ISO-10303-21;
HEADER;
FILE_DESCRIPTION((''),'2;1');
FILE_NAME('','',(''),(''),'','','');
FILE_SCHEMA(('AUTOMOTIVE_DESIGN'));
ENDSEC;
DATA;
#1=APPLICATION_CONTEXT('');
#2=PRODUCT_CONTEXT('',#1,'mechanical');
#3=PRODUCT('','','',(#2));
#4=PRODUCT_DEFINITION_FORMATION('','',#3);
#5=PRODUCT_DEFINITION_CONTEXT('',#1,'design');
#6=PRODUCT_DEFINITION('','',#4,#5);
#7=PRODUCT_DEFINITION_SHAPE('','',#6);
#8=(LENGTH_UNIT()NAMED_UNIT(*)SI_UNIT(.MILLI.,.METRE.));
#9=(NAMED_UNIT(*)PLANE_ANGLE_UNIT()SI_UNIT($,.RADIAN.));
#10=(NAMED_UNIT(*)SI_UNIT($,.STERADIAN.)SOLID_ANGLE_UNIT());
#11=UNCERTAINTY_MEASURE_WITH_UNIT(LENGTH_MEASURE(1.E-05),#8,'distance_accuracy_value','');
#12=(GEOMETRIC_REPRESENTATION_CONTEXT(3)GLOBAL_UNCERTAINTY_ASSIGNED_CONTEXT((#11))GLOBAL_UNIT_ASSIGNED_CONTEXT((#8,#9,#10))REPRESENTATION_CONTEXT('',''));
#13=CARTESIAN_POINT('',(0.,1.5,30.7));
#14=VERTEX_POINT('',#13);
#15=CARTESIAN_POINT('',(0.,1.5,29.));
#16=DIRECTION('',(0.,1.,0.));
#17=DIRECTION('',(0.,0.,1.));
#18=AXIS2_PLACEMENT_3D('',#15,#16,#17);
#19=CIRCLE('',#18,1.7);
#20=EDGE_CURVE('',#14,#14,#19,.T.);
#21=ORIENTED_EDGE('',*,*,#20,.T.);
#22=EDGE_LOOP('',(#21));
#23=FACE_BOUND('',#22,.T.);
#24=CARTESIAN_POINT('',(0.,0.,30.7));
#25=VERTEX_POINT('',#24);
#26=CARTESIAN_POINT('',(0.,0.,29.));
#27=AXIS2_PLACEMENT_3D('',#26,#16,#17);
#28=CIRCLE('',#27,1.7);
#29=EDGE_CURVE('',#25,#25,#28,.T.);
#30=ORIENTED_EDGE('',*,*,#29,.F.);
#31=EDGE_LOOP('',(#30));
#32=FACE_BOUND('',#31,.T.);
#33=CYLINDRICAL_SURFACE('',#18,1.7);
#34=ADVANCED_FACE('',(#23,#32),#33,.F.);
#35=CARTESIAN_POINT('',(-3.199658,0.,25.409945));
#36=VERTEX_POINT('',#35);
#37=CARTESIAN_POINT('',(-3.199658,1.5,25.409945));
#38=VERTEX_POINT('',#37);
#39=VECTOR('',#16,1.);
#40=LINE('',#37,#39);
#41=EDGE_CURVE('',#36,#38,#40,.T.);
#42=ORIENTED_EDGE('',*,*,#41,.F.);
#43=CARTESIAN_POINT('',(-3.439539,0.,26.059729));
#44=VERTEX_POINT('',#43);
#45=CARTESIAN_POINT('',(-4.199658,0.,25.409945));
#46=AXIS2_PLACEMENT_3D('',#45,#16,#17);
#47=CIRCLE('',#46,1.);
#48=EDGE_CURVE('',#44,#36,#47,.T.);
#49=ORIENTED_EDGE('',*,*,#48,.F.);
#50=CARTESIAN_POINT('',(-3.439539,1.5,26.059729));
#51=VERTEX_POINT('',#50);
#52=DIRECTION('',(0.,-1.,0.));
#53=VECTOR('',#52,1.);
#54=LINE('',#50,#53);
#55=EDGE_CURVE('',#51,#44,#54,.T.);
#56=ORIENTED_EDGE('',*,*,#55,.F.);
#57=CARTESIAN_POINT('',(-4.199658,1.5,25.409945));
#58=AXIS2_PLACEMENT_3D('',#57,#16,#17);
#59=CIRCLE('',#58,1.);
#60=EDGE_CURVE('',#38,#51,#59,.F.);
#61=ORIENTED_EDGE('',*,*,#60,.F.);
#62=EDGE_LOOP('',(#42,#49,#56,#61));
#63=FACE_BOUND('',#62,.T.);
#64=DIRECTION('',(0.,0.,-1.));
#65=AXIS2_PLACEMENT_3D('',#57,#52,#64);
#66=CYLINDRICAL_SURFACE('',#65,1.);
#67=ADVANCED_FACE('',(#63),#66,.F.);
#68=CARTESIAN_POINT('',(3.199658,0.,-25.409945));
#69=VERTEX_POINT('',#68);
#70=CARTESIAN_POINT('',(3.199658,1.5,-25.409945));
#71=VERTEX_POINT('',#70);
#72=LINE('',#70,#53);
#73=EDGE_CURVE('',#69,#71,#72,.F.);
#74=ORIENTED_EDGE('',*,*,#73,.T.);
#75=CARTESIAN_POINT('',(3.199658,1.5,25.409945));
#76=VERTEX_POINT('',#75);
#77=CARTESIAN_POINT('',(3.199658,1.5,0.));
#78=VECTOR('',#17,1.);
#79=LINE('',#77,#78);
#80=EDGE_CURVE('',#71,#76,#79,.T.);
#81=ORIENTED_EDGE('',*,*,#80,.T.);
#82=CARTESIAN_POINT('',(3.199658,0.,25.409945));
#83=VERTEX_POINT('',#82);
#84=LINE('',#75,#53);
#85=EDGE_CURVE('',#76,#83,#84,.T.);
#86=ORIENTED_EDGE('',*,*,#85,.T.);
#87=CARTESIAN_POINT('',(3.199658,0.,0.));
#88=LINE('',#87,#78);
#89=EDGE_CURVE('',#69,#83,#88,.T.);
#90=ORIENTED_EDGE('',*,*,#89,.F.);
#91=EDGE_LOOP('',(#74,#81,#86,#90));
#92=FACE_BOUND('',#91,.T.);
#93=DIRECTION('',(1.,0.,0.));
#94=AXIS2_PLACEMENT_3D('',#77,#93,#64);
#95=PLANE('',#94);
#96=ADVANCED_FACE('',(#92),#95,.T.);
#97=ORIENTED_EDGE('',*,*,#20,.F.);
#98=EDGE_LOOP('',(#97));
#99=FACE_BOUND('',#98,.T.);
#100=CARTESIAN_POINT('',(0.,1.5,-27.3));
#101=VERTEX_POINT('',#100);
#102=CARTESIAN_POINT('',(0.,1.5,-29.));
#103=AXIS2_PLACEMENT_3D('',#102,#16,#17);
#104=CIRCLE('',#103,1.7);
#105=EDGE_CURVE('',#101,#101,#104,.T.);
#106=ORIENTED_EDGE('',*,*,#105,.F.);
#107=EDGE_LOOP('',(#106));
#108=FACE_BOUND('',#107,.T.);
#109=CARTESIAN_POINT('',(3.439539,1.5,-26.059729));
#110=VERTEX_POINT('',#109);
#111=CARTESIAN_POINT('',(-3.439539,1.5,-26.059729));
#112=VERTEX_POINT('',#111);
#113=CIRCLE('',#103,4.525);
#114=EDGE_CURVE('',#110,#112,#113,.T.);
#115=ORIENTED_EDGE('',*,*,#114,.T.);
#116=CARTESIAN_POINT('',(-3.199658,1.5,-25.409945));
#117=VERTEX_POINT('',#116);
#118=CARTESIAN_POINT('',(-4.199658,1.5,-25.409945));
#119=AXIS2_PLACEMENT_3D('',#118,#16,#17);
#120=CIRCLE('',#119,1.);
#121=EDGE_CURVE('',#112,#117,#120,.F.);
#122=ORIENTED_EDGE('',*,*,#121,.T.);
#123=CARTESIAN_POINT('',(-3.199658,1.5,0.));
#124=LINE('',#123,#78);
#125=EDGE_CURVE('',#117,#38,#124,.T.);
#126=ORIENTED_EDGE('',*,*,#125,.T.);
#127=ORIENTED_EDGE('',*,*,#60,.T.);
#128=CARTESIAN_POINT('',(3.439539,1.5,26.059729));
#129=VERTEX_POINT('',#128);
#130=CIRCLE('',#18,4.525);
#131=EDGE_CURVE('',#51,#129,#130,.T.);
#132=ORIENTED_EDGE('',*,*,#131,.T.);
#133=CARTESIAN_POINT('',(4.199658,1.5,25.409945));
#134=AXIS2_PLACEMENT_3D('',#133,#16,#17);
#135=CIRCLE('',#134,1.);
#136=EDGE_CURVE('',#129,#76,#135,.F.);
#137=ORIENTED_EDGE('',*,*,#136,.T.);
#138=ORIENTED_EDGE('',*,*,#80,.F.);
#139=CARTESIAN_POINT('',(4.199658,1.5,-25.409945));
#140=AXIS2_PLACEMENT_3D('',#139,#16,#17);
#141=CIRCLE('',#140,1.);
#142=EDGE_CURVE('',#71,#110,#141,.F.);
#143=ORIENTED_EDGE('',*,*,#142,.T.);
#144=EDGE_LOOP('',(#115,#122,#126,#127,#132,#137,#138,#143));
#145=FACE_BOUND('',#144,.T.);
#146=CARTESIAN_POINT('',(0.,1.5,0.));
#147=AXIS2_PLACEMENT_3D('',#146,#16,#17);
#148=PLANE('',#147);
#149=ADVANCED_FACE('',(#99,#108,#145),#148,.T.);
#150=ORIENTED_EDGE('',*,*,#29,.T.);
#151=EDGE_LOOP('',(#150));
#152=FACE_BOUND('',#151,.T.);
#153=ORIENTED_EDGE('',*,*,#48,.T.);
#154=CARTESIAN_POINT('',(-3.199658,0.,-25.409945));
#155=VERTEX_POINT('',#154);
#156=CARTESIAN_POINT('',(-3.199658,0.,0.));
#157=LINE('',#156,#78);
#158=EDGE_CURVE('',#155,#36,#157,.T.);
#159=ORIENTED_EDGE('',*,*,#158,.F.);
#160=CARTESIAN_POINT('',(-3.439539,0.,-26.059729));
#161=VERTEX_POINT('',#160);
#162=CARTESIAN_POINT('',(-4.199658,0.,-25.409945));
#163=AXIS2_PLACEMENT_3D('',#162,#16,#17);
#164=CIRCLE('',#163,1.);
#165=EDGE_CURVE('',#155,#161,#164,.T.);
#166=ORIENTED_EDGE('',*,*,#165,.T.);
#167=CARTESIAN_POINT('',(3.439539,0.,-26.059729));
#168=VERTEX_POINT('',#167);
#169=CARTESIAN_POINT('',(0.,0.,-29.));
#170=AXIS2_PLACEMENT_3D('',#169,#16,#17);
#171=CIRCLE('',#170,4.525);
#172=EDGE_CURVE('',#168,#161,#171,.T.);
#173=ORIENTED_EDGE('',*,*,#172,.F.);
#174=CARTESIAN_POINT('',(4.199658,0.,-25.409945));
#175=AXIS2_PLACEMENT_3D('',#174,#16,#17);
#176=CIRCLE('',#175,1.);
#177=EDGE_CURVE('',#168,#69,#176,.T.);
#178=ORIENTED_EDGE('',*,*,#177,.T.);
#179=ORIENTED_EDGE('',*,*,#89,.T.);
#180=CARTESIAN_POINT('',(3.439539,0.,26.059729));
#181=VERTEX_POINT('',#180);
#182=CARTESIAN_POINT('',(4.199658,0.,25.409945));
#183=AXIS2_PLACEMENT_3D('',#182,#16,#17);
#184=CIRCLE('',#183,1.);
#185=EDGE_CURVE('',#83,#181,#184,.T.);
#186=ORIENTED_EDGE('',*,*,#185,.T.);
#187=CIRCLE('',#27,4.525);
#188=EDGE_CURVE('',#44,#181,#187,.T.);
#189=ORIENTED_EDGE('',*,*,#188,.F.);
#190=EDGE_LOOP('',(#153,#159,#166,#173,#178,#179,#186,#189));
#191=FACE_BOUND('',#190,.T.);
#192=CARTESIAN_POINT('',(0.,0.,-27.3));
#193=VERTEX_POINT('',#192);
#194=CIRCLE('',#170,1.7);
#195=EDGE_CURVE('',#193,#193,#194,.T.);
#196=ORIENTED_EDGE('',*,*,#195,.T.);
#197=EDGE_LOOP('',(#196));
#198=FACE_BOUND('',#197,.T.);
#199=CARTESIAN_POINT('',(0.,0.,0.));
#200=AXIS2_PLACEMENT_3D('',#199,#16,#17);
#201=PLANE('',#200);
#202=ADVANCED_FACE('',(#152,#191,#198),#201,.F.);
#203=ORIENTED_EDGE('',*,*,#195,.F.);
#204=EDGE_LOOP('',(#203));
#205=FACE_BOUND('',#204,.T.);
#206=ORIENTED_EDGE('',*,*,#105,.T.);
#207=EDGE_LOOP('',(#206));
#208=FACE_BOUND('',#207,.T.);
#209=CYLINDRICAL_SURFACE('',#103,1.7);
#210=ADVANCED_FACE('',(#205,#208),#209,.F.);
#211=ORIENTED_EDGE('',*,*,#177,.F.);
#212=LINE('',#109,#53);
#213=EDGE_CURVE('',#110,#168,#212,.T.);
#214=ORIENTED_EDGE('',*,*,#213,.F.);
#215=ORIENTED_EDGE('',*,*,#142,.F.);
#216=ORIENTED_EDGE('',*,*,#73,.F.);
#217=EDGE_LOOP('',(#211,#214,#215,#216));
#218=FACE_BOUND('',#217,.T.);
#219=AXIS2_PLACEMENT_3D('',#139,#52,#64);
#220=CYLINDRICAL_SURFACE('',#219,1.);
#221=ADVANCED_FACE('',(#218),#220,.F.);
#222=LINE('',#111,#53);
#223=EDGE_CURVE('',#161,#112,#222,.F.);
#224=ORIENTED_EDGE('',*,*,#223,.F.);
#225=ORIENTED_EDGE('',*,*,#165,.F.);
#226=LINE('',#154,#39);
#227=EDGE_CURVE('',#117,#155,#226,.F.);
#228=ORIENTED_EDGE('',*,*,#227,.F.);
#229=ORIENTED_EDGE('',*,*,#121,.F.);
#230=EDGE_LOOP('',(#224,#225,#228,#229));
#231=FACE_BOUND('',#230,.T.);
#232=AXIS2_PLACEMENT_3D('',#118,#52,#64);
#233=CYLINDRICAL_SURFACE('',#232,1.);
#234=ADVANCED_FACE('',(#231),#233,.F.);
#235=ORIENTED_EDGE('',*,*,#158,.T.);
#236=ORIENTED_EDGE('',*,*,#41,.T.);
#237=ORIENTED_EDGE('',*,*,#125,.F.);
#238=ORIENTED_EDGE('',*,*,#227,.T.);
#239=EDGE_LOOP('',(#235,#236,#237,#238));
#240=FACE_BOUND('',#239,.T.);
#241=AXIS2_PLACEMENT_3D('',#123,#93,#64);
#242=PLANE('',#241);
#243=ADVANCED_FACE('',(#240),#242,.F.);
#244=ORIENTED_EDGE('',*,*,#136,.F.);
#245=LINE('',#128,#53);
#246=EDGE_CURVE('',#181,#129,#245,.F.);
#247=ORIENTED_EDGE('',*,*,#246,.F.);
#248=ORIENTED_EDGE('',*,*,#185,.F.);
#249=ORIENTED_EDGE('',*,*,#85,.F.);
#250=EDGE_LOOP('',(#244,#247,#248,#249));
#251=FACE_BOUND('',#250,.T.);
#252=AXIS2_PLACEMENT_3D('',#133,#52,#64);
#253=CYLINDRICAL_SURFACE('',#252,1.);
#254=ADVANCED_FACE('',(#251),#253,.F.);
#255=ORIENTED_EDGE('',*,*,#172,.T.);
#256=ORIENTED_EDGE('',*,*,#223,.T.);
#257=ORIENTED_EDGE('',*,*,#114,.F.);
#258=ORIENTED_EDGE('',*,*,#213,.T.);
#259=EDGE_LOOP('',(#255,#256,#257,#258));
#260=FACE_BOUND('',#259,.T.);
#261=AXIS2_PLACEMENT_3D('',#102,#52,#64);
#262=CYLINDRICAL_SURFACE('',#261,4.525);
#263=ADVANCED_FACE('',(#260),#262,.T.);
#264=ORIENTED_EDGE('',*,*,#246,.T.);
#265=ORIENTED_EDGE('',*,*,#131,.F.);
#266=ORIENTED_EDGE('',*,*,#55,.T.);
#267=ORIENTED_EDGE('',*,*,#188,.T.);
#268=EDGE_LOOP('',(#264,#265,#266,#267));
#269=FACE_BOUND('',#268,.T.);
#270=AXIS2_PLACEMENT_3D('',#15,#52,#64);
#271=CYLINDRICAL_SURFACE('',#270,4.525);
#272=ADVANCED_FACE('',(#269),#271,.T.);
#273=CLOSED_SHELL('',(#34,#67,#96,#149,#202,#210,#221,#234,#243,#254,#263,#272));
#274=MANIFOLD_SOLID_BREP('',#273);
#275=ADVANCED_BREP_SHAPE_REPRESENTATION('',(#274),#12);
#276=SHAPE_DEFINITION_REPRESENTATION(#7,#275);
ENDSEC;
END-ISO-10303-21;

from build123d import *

# Parameters (mm, degrees)
SKETCH2_R            = 4.525
BOSS_EXTRUDE1_DEPTH  = 1.5
M3_CLEARANCE_HOLE1_D = 3.4
FILLET1_R            = 1


with BuildPart() as part:
    # Sketch2 → Boss-Extrude1 (new body)
    with BuildSketch(Plane(origin=(0, 0, 0), x_dir=(1, 0, 0), z_dir=(0, 1, 0))):
        with Locations((0, -29)):
            Circle(SKETCH2_R)
        with BuildLine():
            Line((3.199658185, -25.800341815), (3.199658185, 25.800341815))
            ThreePointArc((3.199658185, 25.800341815), (0, 24.475), (-3.199658185, 25.800341815))
            Line((-3.199658185, 25.800341815), (-3.199658185, -25.800341815))
            ThreePointArc((-3.199658185, -25.800341815), (0, -24.475), (3.199658185, -25.800341815))
        make_face()
        with Locations((0, 29)):
            Circle(SKETCH2_R)
    extrude(amount=BOSS_EXTRUDE1_DEPTH)

    # M3 Clearance Hole1 (through all)
    with Locations(Plane(origin=(0, 1.5, 0), x_dir=(1, 0, 0), z_dir=(0, 1, 0))):
        with Locations((0, 29), (0, -29)):
            Hole(M3_CLEARANCE_HOLE1_D / 2)

    # Fillet1
    fillet1_edges = [part.edges().sort_by_distance(p)[0] for p in [
        (-3.199658185, 0.75, 25.800341815),
        (-3.199658185, 0.75, -25.800341815),
        (3.199658185, 0.75, -25.800341815),
        (3.199658185, 0.75, 25.800341815),
    ]]
    fillet(fillet1_edges, radius=FILLET1_R)


solid = part.part
